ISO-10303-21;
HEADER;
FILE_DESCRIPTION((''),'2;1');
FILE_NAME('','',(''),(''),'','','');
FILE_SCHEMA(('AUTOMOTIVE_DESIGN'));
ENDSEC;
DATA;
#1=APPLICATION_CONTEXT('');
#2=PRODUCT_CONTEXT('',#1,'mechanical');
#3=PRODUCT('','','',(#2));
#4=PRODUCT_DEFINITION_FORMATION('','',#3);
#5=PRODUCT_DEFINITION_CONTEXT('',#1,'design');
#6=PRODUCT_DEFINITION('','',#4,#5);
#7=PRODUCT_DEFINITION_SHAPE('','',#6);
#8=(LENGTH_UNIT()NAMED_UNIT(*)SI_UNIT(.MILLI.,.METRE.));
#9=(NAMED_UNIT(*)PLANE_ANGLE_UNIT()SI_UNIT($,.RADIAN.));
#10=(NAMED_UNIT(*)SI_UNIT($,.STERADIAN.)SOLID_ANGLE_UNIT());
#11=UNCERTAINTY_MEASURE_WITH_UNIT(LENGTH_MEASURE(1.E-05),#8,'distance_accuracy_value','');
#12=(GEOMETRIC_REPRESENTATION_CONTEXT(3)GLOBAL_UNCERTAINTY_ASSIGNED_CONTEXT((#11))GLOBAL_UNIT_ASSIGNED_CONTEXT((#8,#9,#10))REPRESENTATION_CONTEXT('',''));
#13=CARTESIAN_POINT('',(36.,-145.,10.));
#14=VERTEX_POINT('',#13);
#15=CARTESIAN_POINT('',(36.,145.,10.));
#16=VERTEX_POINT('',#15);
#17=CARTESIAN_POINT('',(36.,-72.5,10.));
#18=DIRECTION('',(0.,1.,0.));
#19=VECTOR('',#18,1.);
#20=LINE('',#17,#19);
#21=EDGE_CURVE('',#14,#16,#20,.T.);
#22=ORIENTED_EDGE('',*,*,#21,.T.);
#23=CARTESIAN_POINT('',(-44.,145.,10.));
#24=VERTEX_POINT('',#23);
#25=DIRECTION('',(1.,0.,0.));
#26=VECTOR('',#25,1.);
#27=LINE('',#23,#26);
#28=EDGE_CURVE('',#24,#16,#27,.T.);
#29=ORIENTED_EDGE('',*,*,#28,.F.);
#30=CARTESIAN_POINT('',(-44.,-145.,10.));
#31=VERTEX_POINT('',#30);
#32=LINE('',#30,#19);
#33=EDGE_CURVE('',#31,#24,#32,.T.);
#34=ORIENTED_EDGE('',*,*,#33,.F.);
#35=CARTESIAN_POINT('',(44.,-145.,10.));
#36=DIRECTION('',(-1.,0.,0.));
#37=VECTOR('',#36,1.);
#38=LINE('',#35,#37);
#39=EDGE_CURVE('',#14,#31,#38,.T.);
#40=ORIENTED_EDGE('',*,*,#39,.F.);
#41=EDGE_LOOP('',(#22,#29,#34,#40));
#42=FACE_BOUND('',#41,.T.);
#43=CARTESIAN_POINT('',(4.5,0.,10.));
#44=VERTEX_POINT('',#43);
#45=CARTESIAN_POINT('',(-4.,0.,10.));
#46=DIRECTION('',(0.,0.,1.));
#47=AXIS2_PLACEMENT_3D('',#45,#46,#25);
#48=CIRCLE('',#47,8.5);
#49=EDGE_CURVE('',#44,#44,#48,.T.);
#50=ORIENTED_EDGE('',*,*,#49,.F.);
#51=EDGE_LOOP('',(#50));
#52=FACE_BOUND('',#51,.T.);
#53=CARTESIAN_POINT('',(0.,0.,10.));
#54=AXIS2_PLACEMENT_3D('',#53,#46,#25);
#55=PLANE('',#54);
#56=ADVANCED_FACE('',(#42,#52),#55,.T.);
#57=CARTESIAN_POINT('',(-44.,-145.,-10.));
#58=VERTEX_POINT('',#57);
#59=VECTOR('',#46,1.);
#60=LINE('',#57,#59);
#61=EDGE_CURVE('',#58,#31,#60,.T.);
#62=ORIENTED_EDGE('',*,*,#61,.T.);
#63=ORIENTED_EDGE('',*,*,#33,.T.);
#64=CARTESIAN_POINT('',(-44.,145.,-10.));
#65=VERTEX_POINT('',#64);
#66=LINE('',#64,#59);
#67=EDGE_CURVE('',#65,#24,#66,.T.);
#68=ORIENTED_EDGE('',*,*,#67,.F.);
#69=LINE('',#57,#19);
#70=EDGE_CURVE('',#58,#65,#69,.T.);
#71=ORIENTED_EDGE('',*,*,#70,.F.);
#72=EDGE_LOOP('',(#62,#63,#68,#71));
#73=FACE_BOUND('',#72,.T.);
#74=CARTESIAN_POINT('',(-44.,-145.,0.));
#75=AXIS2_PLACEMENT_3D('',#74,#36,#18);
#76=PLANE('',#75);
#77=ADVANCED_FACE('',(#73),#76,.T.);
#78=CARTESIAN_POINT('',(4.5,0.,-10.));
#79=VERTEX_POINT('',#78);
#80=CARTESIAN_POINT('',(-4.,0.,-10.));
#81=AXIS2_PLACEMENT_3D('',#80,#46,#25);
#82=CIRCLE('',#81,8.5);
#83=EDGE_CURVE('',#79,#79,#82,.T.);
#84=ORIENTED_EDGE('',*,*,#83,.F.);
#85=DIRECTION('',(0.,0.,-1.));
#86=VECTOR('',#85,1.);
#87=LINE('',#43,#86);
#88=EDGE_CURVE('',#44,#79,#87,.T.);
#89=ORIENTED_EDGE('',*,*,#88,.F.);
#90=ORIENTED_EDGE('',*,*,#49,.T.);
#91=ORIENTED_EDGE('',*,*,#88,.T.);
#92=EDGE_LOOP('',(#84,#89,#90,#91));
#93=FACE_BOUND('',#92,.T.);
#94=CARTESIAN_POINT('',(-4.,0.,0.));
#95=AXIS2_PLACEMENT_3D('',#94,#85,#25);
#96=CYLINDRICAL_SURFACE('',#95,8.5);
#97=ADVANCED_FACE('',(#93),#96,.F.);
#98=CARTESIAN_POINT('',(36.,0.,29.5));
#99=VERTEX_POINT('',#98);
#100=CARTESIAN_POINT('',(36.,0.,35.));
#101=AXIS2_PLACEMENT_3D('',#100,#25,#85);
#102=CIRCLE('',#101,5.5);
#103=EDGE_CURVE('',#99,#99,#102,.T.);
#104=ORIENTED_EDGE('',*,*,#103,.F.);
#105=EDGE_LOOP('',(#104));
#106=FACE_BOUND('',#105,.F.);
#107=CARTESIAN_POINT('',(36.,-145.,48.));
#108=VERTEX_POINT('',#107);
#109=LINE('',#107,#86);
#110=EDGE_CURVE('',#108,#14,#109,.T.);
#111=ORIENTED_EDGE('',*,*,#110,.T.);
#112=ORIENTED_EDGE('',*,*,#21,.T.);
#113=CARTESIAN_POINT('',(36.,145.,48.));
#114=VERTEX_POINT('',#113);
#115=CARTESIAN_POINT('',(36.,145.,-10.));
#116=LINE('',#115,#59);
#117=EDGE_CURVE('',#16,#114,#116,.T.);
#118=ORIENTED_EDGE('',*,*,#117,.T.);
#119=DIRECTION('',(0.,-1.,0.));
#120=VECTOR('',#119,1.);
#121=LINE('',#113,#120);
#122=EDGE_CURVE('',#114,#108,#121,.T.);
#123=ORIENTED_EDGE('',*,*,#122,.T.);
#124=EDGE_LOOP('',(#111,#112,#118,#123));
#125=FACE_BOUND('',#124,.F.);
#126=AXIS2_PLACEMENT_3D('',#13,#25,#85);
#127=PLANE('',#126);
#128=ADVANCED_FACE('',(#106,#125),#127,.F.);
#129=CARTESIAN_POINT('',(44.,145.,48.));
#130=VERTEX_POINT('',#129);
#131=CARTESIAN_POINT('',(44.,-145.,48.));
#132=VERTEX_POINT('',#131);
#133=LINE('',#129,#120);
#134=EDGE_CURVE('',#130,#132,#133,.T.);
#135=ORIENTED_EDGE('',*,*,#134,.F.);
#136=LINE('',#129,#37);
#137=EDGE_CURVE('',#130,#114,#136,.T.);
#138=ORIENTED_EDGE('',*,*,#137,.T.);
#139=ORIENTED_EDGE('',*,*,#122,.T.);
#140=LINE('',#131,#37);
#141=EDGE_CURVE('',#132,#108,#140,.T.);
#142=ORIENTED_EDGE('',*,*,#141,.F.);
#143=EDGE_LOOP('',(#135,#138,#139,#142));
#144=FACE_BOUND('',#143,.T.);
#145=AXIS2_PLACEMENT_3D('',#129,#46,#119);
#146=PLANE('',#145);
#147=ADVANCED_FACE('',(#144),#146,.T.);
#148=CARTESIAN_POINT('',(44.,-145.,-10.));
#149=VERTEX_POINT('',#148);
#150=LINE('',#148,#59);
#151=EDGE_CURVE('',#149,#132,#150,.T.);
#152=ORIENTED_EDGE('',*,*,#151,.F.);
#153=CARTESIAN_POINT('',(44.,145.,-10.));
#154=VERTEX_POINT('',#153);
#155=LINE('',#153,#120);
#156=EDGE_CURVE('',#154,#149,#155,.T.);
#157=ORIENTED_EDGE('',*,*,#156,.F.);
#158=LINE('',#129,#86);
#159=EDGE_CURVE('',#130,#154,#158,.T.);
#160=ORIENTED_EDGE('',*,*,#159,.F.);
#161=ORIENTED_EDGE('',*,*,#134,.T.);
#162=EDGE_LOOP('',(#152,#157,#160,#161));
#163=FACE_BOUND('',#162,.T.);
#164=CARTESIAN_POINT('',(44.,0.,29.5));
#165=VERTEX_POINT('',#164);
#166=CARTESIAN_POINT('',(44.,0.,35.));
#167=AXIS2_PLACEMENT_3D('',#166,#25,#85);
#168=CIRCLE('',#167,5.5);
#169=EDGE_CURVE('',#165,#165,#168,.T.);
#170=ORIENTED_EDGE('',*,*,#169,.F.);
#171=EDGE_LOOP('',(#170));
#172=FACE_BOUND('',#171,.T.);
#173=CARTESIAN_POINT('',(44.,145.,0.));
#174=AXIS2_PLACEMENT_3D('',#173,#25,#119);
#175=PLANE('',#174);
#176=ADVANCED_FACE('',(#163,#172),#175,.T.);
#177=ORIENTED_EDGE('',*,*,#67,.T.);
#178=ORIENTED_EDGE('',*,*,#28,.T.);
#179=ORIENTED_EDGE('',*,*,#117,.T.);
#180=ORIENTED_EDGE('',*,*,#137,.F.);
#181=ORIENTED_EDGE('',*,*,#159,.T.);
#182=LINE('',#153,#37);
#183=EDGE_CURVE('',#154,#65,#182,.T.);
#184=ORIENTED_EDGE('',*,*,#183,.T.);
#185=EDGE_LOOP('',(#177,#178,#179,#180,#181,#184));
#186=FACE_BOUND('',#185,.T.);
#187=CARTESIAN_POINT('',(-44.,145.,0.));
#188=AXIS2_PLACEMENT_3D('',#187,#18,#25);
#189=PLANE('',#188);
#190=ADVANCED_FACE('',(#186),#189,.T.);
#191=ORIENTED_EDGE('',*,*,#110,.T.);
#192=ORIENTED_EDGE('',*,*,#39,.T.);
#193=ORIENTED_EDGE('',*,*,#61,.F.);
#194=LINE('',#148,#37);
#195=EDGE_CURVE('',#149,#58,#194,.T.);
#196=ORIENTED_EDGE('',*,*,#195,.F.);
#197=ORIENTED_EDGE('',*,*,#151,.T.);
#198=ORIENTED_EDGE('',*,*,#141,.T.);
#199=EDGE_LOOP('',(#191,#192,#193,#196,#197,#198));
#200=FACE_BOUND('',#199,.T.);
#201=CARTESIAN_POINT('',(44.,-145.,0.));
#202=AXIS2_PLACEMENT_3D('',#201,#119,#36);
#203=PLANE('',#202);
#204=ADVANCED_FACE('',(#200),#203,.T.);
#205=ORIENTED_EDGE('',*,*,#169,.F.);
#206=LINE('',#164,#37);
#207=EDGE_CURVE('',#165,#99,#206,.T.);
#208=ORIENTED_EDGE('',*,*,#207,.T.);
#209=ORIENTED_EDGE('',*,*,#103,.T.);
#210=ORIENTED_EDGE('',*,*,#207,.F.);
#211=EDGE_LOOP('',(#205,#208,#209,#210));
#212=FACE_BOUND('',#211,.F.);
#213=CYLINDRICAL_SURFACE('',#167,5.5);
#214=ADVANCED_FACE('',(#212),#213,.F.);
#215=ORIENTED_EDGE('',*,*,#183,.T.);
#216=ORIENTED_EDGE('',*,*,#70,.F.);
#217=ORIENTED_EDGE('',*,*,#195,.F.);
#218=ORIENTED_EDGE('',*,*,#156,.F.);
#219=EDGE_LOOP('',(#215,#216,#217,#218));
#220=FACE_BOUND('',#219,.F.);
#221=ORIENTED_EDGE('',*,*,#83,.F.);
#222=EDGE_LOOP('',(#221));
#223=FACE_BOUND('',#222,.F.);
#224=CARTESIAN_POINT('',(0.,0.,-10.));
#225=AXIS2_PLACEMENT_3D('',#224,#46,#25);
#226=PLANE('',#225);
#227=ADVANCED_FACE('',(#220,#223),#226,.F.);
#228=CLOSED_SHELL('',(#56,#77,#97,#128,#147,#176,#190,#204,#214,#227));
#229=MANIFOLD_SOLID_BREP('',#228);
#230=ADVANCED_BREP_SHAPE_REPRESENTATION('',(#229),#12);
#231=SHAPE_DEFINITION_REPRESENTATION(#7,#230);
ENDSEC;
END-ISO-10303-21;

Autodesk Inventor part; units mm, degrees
ref_plane "YZ Plane" through (0, 0, 0) normal (1, 0, 0) x (0, 1, 0)
ref_plane "XZ Plane" through (0, 0, 0) normal (0, 1, 0) x (-1, 0, 0)
ref_plane "XY Plane" through (0, 0, 0) normal (0, 0, 1) x (1, 0, 0)
sketch "Эскиз1" plane through (0, 0, 0) normal (0, 0, 1) x (1, 0, 0)
  line L0 (-44, 145) -> (44, 145)
  line L1 (44, 145) -> (44, -145)
  line L2 (44, -145) -> (-44, -145)
  line L3 (-44, -145) -> (-44, 145)
  line L4 (-44, 145) -> (44, -145) construction
  line L5 (44, 145) -> (-44, -145) construction
  circle A0 centre (-4, 0) radius 8.5
  point P0 (0, 0)
  dimension "d0" = 88
  dimension "d1" = 290
  dimension "d2" = 17
  dimension "d3" = 40
  dimension "d4" = 145
extrude "Выдавливание1" add sketch "Эскиз1" along normal mid plane 20
sketch "Эскиз2" plane through (44, -145, 10) normal (1, 0, 0) x (0, 0, -1)
  line L0 (20, 290) -> (20, 0) projected
  line L1 (20, 290) -> (-38, 290)
  line L2 (-38, 290) -> (-38, 0)
  line L3 (-38, 0) -> (20, 0)
  line L4 (20, 0) -> (20, 290)
  circle A0 centre (-25, 145) radius 5.5
  line L5 (0, 0) -> (0, 290) projected
  point P0 (10, 145)
  dimension "d7" = 58
  dimension "d8" = 11
  dimension "d9" = 25
  dimension "d10" = 145
extrude "Выдавливание2" add sketch "Эскиз2" against normal blind 8
properties part number "Угольник"
